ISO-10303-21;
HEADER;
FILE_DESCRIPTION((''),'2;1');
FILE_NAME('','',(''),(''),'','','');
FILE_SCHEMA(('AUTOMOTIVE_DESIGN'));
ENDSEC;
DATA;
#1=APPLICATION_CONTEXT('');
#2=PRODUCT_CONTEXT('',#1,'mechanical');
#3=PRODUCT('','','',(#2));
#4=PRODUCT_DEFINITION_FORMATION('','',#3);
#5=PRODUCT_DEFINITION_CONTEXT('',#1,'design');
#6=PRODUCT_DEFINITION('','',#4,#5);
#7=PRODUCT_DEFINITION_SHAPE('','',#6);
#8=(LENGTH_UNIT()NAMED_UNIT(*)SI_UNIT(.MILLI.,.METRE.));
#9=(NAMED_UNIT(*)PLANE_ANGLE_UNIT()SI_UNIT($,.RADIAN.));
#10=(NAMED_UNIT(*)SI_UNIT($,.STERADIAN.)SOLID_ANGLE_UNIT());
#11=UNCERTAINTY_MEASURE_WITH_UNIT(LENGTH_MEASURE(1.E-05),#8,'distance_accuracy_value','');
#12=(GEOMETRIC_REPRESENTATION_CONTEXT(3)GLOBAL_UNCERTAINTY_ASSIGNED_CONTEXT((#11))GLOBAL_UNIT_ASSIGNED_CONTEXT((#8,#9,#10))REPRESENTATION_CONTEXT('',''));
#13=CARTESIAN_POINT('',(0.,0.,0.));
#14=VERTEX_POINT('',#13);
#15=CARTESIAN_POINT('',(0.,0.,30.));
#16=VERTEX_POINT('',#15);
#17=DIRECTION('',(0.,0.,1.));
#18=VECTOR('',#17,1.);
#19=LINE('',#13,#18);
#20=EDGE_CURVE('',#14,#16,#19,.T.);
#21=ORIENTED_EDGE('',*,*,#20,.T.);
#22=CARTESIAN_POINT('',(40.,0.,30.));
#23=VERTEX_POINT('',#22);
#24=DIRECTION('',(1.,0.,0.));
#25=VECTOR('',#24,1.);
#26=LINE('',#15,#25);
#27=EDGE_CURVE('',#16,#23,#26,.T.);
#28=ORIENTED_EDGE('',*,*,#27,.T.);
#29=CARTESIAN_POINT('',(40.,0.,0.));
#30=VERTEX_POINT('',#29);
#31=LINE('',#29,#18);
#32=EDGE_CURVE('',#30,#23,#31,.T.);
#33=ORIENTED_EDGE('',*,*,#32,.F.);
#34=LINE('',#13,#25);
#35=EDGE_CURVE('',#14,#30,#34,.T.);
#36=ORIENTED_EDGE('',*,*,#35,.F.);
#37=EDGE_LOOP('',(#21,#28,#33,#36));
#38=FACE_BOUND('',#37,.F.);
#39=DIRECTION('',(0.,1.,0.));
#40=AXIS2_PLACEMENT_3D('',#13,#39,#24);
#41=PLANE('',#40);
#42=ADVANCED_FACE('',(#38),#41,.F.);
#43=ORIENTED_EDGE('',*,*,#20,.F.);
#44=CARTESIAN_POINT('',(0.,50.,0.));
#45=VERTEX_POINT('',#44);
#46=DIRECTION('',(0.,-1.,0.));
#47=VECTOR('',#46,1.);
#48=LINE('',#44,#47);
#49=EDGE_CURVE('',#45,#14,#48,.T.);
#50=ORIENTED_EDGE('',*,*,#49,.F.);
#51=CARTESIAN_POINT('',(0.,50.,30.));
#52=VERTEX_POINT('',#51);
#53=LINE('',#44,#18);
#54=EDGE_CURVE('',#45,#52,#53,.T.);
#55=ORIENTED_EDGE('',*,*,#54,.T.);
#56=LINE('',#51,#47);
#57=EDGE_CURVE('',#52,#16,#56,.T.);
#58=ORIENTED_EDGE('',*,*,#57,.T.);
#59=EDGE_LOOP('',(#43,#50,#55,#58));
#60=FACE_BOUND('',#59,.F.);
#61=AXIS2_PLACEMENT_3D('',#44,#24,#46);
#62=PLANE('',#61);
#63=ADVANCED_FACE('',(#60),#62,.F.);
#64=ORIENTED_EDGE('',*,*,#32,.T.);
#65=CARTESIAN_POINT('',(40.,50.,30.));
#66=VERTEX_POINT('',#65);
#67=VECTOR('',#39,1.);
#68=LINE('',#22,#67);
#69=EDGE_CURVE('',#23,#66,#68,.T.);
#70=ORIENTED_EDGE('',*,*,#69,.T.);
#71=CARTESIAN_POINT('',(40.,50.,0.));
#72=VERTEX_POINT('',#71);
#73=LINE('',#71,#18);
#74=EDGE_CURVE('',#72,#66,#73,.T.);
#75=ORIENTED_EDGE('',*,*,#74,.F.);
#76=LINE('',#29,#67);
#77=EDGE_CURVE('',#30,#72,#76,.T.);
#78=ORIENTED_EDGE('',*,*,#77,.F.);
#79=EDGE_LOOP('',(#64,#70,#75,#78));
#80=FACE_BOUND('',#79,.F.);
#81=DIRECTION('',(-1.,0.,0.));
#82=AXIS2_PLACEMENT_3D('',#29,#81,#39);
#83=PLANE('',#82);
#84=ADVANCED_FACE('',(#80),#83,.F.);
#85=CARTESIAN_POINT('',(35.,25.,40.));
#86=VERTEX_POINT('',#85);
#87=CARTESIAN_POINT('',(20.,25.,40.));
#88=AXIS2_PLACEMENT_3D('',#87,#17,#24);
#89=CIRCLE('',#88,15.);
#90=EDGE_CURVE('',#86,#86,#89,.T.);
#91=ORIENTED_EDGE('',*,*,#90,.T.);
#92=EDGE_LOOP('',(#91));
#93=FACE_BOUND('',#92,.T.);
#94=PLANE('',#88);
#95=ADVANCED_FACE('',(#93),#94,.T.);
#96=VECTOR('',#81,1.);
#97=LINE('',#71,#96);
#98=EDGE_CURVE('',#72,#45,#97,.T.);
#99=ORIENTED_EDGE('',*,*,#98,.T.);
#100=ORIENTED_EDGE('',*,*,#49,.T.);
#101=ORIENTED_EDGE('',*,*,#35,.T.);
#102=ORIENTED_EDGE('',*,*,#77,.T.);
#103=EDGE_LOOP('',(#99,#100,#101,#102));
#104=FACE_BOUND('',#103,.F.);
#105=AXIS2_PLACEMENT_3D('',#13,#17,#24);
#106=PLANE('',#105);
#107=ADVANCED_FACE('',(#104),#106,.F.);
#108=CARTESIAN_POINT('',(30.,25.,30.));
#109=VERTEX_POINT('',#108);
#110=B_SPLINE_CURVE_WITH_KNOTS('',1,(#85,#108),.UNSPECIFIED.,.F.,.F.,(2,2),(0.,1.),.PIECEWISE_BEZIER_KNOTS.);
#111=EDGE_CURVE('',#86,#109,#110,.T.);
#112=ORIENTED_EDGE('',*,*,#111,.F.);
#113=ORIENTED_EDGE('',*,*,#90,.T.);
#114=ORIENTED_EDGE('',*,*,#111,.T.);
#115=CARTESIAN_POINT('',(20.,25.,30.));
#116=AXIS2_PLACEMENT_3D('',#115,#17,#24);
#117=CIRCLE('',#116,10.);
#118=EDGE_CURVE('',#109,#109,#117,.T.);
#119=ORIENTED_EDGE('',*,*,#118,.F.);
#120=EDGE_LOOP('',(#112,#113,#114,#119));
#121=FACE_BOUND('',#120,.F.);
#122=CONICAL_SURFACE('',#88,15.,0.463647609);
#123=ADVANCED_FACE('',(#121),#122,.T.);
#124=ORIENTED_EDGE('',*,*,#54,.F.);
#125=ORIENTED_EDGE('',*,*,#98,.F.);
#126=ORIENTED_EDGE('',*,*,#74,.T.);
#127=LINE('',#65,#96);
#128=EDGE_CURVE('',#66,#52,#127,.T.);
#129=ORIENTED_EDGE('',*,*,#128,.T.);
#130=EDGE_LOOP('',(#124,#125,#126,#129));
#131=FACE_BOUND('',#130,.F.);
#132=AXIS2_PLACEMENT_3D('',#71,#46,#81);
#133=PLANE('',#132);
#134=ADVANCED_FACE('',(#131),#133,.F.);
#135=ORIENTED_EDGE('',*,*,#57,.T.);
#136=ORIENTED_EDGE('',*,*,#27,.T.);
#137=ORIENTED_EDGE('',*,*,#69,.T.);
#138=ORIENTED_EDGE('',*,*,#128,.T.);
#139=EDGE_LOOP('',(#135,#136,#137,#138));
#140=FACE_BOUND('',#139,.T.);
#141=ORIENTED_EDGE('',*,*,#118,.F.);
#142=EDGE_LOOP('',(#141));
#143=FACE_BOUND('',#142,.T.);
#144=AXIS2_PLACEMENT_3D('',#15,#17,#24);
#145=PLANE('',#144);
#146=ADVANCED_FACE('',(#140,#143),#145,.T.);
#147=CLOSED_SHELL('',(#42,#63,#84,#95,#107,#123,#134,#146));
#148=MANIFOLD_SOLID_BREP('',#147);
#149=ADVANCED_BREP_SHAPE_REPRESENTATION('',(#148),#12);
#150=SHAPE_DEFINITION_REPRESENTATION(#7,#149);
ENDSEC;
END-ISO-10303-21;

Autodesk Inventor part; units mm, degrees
ref_plane "YZ Plane" through (0, 0, 0) normal (1, 0, 0) x (0, 1, 0)
ref_plane "XZ Plane" through (0, 0, 0) normal (0, 1, 0) x (-1, 0, 0)
sketch "Sketch1" plane through (0, 0, 0) normal (0, 0, 1) x (1, 0, 0)
  line L0 (0, 0) -> (40, 0)
  line L1 (40, 0) -> (40, 50)
  line L2 (40, 50) -> (0, 50)
  line L3 (0, 50) -> (0, 0)
  dimension "d0" = 40
  dimension "d1" = 50
extrude "Extrusion1" add sketch "Sketch1" along normal blind 30
sketch "Sketch2" plane through (0, 0, 30) normal (0, 0, 1) x (1, 0, 0)
  circle A0 centre (20, 25) radius 10
ref_plane "Work Plane1" through (0, 0, 40) normal (0, 0, 1) x (1, 0, 0)
sketch "Sketch3" plane through (0, 0, 40) normal (0, 0, 1) x (1, 0, 0)
  circle A0 centre (20, 25) radius 15
  point P0 (0, 0)
  dimension "d6" = 30
loft "Loft1" add profiles "Sketch3", "Sketch2"
properties part number "Camera"
